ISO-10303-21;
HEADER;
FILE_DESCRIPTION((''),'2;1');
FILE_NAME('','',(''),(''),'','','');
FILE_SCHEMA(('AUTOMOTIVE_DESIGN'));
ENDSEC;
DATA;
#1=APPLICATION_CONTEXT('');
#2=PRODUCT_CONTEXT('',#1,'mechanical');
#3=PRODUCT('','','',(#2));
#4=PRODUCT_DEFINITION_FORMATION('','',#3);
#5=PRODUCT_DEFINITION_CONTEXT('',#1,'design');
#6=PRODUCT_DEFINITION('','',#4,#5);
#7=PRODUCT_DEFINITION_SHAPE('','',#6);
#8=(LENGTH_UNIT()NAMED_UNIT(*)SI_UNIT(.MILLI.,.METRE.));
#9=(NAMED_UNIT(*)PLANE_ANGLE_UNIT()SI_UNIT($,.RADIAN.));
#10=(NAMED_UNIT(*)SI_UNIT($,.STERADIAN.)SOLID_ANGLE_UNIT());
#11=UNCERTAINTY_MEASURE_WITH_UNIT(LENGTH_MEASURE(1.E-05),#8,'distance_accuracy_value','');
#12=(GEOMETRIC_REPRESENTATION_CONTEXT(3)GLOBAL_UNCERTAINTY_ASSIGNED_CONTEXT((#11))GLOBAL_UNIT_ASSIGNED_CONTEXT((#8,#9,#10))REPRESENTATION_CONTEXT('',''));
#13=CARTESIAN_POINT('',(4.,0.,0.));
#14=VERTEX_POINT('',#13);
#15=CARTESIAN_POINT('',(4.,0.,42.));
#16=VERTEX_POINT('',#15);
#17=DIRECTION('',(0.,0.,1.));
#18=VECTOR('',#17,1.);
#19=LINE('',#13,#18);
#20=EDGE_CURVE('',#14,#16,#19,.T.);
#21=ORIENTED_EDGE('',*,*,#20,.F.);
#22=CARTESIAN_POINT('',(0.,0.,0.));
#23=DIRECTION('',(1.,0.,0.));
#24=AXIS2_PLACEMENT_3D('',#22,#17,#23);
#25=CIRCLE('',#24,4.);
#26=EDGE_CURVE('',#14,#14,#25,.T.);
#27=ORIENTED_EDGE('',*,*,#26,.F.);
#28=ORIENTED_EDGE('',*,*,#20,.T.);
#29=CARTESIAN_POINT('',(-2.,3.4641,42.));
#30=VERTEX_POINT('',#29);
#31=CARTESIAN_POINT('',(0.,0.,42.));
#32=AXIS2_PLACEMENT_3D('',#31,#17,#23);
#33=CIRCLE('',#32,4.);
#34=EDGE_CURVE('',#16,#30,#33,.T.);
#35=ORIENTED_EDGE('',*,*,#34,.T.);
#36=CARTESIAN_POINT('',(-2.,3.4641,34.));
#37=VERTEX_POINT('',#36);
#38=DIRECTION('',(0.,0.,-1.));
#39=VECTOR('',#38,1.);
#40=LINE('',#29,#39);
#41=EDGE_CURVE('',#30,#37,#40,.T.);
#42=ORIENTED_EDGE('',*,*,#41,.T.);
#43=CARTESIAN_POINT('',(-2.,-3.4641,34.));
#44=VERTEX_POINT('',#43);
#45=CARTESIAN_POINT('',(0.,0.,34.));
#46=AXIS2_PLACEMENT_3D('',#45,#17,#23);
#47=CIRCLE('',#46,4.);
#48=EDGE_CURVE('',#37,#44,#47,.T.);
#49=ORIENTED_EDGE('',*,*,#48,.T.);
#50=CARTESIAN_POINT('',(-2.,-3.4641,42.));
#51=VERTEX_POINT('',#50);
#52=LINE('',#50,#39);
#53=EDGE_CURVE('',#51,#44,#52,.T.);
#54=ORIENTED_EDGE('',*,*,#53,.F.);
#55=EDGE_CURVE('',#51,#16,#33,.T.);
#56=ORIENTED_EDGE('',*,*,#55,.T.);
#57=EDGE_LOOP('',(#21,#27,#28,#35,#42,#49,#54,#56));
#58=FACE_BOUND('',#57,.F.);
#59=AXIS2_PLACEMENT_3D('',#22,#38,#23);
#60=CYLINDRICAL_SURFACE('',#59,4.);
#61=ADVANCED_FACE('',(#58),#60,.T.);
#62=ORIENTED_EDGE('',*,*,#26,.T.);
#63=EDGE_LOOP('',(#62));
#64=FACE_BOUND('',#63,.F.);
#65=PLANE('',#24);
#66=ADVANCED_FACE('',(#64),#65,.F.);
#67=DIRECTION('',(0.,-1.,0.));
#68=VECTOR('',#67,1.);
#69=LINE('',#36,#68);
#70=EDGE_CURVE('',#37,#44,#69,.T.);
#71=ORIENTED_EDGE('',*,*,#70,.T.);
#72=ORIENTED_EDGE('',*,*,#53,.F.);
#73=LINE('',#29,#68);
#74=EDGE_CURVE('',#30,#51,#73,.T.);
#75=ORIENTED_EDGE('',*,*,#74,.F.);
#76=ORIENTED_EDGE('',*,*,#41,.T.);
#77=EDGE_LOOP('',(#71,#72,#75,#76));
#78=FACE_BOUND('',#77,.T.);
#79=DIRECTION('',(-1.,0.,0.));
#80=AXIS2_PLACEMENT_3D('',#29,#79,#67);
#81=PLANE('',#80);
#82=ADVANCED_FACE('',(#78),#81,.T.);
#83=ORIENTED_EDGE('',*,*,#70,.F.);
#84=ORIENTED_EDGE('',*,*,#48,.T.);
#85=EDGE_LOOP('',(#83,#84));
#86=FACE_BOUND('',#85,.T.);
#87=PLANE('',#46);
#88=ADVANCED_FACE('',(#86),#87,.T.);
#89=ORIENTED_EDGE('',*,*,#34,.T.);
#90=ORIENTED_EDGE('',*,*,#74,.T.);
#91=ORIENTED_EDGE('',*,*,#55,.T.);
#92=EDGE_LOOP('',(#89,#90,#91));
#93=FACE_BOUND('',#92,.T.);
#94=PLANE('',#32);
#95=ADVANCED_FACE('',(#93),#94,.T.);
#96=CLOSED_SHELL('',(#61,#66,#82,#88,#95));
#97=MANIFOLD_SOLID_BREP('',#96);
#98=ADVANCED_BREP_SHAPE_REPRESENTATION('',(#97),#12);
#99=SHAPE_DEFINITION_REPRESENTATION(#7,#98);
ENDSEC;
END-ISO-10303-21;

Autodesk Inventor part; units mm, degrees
ref_plane "YZ Plane" through (0, 0, 0) normal (1, 0, 0) x (0, 1, 0)
ref_plane "XZ Plane" through (0, 0, 0) normal (0, 1, 0) x (-1, 0, 0)
ref_plane "XY Plane" through (0, 0, 0) normal (0, 0, 1) x (1, 0, 0)
sketch "Sketch1" plane through (0, 0, 0) normal (0, 0, 1) x (1, 0, 0)
  circle A0 centre (0, 0) radius 4
  dimension "d0" = 8
extrude "Extrusion1" add sketch "Sketch1" along normal blind 42
sketch "Sketch2" plane through (0, 0, 42) normal (0, 0, 1) x (1, 0, 0)
  circle A0 centre (0, 0) radius 4 projected
  line L0 (-2, -3.4641) -> (2, -3.4641)
  line L1 (2, -3.4641) -> (2, 3.4641)
  line L2 (2, 3.4641) -> (-2, 3.4641)
  line L3 (-2, 3.4641) -> (-2, -3.4641)
  line L4 (-2, -3.4641) -> (2, 3.4641) construction
  line L5 (2, -3.4641) -> (-2, 3.4641) construction
  circle A1 centre (0, 0) radius 4
  dimension "d3" = 4
extrude "Extrusion2" cut sketch "Sketch2" against normal blind 8 contours L3 A0
properties part number "as bevelgear"
